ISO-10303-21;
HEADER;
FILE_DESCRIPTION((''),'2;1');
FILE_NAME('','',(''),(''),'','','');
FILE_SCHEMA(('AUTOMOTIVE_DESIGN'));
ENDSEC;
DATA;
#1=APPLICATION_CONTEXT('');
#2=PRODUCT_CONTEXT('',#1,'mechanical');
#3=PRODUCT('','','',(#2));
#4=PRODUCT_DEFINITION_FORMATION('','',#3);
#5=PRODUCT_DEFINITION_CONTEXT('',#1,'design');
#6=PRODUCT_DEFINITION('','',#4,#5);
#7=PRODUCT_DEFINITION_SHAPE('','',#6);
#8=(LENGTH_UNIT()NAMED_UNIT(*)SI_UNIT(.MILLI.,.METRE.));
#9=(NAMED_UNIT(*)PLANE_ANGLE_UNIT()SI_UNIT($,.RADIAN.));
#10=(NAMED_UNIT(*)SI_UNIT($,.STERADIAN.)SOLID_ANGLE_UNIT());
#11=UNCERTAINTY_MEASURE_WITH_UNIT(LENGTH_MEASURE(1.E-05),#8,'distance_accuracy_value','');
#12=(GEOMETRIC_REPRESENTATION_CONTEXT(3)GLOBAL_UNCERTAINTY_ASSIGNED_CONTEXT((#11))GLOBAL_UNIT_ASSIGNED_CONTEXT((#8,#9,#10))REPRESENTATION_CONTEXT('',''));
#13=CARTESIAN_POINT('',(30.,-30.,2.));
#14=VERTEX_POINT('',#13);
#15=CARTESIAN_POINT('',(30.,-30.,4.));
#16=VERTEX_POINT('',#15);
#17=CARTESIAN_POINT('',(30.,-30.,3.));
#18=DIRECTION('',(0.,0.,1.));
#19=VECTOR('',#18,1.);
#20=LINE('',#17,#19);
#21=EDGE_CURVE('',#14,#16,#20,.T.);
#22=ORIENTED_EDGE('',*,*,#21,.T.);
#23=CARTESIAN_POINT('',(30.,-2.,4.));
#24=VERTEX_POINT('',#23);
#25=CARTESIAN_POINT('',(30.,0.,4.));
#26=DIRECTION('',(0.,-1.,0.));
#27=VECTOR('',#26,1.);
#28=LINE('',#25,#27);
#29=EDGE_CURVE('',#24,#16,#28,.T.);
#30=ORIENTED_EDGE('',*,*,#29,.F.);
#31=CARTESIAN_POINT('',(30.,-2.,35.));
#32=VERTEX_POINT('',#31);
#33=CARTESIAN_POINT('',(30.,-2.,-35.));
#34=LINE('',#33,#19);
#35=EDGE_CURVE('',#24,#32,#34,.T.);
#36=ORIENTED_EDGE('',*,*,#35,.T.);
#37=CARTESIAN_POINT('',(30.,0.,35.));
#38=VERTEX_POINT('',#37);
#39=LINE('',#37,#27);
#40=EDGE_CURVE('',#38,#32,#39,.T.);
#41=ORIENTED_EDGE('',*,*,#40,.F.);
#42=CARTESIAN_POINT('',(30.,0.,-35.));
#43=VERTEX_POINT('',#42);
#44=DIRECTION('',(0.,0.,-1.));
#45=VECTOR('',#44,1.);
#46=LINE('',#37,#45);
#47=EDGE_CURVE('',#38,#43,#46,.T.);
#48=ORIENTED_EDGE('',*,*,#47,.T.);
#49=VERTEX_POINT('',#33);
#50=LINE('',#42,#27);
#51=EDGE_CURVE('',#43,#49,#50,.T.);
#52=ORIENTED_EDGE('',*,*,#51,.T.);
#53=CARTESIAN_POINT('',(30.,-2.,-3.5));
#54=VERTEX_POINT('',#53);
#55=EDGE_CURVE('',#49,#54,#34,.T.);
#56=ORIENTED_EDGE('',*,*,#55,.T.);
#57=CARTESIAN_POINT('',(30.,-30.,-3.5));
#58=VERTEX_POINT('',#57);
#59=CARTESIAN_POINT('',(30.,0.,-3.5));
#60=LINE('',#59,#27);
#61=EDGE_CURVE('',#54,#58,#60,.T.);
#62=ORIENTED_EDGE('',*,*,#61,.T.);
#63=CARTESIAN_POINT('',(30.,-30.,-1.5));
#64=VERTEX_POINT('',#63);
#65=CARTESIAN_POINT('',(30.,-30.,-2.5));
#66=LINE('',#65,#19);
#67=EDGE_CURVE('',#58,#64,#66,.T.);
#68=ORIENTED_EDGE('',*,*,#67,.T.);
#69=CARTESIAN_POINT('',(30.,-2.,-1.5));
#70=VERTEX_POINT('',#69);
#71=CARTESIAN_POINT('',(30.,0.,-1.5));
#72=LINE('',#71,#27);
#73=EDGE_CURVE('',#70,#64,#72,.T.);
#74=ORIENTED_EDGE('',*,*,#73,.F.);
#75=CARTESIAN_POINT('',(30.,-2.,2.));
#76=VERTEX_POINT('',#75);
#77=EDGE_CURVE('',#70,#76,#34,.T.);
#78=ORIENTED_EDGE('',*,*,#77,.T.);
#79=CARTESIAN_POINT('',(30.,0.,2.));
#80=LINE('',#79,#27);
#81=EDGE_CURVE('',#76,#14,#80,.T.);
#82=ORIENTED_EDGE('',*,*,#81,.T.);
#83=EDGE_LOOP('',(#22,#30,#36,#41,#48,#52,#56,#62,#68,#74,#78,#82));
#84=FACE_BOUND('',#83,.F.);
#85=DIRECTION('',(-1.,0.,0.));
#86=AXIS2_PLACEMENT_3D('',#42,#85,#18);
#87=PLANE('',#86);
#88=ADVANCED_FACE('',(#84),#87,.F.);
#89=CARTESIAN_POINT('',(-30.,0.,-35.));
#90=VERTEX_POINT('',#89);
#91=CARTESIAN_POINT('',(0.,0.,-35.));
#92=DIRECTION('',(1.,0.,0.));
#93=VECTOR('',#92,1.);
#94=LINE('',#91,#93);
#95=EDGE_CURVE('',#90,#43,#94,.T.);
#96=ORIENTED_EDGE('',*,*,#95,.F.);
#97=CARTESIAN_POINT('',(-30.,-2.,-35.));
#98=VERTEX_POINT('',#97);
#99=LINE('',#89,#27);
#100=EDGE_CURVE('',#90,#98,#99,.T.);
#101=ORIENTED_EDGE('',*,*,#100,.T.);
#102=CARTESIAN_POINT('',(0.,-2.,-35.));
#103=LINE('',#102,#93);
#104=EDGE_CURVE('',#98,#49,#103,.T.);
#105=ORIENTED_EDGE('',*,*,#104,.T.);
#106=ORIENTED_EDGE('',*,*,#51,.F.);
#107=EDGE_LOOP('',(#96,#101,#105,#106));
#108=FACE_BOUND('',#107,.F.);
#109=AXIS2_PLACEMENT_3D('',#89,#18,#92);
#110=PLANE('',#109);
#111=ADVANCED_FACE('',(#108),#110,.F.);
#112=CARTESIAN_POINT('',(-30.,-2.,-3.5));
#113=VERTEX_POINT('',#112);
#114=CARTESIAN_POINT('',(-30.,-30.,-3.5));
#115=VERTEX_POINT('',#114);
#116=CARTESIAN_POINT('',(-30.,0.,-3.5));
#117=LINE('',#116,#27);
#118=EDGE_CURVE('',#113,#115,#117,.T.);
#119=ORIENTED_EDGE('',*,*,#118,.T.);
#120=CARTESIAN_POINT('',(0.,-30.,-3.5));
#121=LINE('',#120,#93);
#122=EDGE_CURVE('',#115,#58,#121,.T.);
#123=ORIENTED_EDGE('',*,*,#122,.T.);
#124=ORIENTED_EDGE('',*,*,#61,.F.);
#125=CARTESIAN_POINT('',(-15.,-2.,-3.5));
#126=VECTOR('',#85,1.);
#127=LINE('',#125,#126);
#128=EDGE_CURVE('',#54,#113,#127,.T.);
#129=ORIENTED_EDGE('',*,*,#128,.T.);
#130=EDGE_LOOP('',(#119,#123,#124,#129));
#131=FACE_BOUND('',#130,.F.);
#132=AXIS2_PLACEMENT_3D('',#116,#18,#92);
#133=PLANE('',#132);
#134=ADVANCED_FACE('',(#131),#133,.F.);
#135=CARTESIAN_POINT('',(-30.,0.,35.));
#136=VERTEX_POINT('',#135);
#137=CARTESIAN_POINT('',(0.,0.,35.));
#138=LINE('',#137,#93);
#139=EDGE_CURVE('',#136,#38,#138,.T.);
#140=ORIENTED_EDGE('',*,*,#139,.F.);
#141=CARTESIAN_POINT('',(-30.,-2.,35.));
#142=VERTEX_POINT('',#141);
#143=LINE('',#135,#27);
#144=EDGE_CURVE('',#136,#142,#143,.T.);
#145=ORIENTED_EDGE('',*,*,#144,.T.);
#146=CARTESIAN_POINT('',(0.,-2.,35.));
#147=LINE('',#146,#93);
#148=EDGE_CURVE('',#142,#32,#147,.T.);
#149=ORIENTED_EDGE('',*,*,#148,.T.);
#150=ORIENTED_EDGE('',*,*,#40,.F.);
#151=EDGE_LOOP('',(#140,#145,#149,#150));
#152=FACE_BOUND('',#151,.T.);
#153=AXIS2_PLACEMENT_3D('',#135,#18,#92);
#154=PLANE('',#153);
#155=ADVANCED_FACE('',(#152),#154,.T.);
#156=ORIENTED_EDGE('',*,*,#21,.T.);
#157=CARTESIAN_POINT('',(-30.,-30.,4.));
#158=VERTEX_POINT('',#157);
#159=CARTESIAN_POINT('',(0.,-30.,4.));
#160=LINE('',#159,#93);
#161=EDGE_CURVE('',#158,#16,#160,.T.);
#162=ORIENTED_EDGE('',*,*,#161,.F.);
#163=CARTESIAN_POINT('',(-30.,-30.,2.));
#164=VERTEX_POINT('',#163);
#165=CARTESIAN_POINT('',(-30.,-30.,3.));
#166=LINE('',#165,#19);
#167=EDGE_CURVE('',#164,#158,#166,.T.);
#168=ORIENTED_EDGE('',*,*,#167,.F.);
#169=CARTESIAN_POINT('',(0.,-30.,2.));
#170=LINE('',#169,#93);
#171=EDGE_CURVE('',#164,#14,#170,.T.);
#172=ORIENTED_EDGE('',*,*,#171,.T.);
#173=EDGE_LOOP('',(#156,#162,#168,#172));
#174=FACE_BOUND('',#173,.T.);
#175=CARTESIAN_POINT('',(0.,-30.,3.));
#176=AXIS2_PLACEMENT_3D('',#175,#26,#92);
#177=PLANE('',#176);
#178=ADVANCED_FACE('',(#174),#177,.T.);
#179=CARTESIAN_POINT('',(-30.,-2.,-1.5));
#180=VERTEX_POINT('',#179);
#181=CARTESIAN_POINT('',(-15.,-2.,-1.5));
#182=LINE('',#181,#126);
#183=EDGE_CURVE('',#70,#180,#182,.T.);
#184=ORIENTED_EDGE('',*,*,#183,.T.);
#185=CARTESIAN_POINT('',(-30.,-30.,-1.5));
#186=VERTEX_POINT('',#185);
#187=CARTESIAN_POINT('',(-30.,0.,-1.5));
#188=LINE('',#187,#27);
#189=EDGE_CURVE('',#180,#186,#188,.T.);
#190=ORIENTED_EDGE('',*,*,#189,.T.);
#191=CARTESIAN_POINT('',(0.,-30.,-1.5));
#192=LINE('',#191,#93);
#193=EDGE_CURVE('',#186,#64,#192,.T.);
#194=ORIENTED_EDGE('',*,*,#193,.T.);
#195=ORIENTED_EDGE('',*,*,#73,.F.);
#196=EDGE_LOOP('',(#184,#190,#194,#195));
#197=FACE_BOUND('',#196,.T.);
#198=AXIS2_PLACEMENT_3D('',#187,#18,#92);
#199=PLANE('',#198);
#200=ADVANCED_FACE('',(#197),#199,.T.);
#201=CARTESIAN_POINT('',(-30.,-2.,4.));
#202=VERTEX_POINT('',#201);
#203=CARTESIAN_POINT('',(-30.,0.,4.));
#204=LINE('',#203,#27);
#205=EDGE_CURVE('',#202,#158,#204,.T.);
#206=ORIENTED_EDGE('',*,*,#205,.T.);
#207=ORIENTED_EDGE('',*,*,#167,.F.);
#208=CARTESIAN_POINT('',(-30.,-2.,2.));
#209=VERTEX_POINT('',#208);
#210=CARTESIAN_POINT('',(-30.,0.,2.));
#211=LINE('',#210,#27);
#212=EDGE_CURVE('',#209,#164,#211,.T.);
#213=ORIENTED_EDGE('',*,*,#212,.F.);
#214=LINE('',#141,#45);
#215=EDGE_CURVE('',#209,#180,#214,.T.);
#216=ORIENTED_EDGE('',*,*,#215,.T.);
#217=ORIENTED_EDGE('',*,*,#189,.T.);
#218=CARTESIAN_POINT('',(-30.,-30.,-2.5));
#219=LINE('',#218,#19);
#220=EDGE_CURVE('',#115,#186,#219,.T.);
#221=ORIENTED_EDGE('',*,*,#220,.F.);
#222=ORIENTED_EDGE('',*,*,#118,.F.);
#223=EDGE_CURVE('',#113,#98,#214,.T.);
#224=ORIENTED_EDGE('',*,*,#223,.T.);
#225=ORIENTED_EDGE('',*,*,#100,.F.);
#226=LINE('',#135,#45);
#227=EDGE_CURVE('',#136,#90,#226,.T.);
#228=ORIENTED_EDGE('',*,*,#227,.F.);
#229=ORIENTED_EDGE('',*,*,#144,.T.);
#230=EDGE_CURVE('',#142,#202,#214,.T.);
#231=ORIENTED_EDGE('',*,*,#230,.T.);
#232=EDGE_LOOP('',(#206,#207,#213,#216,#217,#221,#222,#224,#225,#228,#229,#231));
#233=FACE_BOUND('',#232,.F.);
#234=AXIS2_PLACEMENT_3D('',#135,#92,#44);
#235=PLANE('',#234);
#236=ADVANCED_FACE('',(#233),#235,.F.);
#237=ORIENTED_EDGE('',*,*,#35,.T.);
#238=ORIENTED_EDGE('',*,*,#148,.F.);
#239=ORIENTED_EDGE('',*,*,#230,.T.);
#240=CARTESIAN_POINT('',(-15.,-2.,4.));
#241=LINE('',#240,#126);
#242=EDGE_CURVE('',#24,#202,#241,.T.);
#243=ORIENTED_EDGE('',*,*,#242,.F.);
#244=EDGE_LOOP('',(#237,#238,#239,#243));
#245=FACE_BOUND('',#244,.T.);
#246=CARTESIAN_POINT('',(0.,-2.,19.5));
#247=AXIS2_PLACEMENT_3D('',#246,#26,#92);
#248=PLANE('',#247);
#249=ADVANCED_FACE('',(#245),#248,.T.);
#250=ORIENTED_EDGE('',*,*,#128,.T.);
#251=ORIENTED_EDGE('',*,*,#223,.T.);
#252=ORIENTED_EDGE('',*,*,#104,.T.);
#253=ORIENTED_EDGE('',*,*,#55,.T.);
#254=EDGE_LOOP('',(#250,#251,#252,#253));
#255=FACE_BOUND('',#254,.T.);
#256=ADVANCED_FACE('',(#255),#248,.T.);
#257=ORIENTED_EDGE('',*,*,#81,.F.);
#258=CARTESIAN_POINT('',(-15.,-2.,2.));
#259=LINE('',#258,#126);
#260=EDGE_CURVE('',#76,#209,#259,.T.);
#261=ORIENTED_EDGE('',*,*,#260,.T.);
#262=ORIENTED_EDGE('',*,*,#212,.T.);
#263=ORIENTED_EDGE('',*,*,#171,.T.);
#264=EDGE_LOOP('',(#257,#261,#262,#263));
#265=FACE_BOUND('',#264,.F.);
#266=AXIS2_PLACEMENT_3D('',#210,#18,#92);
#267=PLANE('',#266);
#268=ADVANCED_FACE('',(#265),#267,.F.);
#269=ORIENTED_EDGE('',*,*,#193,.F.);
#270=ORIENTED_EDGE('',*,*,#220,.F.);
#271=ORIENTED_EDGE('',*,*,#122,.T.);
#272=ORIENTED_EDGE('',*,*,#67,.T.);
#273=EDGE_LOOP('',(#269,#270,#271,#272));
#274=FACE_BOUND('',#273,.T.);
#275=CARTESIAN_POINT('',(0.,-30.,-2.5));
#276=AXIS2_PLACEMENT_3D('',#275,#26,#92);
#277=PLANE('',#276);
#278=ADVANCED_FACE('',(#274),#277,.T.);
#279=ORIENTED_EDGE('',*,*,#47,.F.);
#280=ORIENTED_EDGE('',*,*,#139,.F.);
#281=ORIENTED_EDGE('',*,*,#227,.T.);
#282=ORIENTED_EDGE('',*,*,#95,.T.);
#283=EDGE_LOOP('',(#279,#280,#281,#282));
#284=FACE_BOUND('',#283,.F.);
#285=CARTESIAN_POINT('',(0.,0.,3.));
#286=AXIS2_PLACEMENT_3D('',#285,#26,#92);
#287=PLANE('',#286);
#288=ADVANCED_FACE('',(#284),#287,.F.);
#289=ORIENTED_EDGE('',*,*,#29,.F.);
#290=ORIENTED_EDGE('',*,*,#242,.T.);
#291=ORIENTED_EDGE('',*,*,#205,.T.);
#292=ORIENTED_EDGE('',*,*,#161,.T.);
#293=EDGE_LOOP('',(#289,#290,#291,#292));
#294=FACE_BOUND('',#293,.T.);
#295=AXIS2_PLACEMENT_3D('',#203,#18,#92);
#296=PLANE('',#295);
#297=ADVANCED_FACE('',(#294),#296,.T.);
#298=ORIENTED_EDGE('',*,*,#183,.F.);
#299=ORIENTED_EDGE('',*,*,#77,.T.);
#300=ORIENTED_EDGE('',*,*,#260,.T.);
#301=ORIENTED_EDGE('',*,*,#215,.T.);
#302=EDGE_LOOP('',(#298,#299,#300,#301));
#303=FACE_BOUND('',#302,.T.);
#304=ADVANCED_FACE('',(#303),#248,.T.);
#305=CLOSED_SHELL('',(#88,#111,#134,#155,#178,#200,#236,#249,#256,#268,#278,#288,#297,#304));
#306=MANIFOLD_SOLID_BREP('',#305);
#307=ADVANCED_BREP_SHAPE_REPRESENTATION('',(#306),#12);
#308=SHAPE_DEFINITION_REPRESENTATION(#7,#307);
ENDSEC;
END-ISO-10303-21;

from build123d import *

# Parameters (mm, degrees)
F0_W     = 60
F0_H     = 31
F0_H_2   = 2
F0_H_3   = 3.5
F0_H_4   = 31.5
F1_DEPTH = 2
F2_DEPTH = 30


with BuildPart() as f1:
    # F0 (on Front) → F1 (new body)
    with BuildSketch(Plane.XZ):
        with Locations((0, 19.5)):
            Rectangle(F0_W, F0_H)
        with Locations((0, 3)):
            Rectangle(F0_W, F0_H_2)
        with Locations((0, 0.25)):
            Rectangle(F0_W, F0_H_3)
        with Locations((0, -19.25)):
            Rectangle(F0_W, F0_H_4)
        with Locations((0, -2.5)):
            Rectangle(F0_W, F0_H_2)
    extrude(amount=F1_DEPTH)

    # F0 (on Front) → F2 (join)
    with BuildSketch(Plane.XZ):
        with Locations((0, 3)):
            Rectangle(F0_W, F0_H_2)
        with Locations((0, -2.5)):
            Rectangle(F0_W, F0_H_2)
    extrude(amount=F2_DEPTH)


solid = f1.part
